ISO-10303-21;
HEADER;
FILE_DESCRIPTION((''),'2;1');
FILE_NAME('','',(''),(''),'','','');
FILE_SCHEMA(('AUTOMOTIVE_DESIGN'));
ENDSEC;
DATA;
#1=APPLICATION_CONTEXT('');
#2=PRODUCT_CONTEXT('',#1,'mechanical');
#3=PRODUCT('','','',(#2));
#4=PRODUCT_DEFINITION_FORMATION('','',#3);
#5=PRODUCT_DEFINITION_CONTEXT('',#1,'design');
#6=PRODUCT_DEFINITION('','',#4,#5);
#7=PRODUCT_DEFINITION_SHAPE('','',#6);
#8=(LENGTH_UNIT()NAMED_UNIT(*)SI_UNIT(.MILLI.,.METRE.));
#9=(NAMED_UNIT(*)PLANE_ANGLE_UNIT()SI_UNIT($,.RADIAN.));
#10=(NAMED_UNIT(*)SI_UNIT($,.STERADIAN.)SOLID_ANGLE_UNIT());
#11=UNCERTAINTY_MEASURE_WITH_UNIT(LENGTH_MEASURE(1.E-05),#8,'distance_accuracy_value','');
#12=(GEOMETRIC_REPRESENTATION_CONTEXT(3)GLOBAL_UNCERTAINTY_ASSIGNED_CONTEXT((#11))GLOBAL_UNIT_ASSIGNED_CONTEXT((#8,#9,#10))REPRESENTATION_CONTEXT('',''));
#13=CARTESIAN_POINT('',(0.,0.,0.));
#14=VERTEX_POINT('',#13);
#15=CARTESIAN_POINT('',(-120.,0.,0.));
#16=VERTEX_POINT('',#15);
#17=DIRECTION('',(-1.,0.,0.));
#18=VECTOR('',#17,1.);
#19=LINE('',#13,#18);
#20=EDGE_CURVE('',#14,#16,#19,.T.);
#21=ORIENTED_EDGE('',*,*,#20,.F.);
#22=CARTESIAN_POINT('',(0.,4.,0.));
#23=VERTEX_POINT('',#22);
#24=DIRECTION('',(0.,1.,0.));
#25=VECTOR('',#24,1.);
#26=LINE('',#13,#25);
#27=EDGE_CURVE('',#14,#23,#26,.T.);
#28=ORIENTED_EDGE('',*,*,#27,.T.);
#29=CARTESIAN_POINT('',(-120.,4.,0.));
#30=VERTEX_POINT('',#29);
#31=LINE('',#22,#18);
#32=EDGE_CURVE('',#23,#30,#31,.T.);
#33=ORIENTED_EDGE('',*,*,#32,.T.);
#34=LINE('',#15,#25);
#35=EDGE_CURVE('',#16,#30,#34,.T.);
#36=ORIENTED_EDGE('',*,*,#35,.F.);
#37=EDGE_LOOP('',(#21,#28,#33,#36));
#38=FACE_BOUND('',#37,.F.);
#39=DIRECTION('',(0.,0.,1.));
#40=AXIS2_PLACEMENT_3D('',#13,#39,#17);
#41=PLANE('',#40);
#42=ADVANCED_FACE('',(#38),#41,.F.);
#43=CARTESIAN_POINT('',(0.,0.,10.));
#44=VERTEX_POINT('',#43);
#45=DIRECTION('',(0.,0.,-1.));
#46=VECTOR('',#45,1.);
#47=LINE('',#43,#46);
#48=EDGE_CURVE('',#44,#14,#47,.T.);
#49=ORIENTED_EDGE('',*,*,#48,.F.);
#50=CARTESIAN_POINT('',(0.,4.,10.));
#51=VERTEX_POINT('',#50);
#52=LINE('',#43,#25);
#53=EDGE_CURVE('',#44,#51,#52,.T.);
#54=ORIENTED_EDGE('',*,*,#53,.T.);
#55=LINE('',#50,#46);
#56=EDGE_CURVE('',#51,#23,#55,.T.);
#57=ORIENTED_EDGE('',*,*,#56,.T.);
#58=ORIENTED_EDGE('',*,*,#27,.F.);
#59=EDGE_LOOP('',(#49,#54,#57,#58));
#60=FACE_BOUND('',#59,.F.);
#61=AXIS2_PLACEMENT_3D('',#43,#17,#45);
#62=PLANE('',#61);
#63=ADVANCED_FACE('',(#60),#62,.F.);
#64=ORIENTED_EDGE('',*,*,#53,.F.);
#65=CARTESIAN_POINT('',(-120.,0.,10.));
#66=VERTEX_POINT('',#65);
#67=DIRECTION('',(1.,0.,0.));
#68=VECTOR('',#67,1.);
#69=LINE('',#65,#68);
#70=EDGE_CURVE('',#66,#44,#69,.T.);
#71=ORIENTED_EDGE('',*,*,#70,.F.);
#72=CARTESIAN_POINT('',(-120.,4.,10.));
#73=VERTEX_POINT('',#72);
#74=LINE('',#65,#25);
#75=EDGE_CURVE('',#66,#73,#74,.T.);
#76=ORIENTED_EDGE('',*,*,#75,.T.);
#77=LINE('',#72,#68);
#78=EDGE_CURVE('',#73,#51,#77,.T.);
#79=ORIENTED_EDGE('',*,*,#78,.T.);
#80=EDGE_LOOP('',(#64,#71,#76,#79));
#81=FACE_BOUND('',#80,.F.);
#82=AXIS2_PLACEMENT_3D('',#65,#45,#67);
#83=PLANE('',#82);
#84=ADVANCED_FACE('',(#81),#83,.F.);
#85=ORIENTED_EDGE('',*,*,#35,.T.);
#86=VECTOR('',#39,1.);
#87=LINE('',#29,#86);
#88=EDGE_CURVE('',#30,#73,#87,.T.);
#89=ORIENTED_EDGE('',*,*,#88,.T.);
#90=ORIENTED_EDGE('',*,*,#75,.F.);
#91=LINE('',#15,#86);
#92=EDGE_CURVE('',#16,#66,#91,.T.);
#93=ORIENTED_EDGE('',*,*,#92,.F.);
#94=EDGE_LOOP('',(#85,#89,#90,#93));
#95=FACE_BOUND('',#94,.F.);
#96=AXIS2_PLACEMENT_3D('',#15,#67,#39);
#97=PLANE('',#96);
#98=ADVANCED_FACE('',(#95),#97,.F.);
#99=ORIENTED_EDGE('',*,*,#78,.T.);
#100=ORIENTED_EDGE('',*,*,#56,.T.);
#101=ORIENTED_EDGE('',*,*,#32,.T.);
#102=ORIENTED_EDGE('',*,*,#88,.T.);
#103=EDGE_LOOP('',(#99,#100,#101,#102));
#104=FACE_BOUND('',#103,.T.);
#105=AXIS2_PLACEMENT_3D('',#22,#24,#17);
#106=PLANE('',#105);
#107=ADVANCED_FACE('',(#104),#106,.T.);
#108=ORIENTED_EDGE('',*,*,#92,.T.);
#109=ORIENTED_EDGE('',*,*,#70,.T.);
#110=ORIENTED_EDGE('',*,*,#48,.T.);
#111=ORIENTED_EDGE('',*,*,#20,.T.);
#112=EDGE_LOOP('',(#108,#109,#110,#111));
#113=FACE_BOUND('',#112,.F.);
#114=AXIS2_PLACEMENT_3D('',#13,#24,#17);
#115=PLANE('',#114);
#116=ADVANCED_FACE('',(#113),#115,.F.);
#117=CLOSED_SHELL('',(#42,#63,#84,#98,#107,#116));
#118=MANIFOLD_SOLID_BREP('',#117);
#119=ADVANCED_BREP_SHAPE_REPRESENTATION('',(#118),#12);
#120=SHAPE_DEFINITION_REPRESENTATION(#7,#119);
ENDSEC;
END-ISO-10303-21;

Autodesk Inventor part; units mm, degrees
ref_plane "YZ Plane" through (0, 0, 0) normal (1, 0, 0) x (0, 1, 0)
ref_plane "XZ Plane" through (0, 0, 0) normal (0, 1, 0) x (-1, 0, 0)
ref_plane "XY Plane" through (0, 0, 0) normal (0, 0, 1) x (1, 0, 0)
sketch "Skizze1" plane through (0, 0, 0) normal (0, 1, 0) x (-1, 0, 0)
  line L0 (0, 0) -> (120, 0)
  line L1 (120, 0) -> (120, 10)
  line L2 (120, 10) -> (0, 10)
  line L3 (0, 10) -> (0, 0)
  dimension "d0" = 10
  dimension "d1" = 120
extrude "Extrusion1" add sketch "Skizze1" along normal blind 4
properties part number "Querstrebe" material "Pappel"
